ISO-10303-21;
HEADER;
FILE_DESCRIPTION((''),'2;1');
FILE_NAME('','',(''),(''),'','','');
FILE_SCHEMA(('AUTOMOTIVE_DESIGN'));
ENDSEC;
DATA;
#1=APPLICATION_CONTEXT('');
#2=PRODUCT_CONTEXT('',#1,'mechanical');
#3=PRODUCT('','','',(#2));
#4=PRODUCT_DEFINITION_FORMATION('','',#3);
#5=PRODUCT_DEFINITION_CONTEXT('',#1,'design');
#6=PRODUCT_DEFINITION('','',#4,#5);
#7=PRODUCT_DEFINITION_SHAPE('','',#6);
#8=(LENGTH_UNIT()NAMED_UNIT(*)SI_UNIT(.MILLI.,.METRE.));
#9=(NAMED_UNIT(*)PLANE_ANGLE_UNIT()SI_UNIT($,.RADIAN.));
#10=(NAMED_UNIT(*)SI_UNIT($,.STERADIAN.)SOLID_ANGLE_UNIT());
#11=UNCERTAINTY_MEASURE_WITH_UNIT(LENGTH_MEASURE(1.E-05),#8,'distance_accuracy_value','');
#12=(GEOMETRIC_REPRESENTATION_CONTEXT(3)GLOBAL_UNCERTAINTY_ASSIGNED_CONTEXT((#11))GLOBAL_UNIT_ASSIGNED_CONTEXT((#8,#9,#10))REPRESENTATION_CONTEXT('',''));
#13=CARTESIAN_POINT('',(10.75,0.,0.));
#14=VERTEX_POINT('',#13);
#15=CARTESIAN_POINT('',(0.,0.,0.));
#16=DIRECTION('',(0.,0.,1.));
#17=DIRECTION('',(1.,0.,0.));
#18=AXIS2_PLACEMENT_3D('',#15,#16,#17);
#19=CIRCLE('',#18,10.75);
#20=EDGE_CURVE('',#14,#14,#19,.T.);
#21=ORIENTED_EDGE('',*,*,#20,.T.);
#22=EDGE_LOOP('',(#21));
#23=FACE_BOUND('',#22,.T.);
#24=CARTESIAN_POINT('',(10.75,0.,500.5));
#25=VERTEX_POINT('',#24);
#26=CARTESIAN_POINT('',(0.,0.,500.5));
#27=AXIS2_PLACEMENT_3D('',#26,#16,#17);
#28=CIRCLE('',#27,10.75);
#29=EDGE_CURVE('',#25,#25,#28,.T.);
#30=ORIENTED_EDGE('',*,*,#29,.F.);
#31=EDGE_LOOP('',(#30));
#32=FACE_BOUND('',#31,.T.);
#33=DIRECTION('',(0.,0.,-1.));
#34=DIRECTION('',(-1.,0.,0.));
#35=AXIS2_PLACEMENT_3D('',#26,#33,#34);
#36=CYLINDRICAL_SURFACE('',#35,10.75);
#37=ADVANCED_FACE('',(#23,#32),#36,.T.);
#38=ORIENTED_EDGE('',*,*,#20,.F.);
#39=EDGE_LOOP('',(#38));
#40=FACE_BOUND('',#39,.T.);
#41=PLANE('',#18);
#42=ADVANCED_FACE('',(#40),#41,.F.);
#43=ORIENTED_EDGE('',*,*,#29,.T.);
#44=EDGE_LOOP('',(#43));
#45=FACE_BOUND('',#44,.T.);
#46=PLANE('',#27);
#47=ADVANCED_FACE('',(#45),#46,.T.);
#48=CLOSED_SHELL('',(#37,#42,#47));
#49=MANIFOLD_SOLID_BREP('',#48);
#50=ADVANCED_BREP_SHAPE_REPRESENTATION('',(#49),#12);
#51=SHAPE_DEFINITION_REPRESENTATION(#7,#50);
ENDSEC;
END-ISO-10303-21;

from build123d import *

# Parameters (mm, degrees)
SKETCH_1_R      = 10.75
EXTRUDE_1_DEPTH = 500.5


with BuildPart() as part:
    # Эскиз1 → Бобышка-Вытянуть1 (new body)
    with BuildSketch(Plane.XY):
        Circle(SKETCH_1_R)
    extrude(amount=EXTRUDE_1_DEPTH)


solid = part.part
